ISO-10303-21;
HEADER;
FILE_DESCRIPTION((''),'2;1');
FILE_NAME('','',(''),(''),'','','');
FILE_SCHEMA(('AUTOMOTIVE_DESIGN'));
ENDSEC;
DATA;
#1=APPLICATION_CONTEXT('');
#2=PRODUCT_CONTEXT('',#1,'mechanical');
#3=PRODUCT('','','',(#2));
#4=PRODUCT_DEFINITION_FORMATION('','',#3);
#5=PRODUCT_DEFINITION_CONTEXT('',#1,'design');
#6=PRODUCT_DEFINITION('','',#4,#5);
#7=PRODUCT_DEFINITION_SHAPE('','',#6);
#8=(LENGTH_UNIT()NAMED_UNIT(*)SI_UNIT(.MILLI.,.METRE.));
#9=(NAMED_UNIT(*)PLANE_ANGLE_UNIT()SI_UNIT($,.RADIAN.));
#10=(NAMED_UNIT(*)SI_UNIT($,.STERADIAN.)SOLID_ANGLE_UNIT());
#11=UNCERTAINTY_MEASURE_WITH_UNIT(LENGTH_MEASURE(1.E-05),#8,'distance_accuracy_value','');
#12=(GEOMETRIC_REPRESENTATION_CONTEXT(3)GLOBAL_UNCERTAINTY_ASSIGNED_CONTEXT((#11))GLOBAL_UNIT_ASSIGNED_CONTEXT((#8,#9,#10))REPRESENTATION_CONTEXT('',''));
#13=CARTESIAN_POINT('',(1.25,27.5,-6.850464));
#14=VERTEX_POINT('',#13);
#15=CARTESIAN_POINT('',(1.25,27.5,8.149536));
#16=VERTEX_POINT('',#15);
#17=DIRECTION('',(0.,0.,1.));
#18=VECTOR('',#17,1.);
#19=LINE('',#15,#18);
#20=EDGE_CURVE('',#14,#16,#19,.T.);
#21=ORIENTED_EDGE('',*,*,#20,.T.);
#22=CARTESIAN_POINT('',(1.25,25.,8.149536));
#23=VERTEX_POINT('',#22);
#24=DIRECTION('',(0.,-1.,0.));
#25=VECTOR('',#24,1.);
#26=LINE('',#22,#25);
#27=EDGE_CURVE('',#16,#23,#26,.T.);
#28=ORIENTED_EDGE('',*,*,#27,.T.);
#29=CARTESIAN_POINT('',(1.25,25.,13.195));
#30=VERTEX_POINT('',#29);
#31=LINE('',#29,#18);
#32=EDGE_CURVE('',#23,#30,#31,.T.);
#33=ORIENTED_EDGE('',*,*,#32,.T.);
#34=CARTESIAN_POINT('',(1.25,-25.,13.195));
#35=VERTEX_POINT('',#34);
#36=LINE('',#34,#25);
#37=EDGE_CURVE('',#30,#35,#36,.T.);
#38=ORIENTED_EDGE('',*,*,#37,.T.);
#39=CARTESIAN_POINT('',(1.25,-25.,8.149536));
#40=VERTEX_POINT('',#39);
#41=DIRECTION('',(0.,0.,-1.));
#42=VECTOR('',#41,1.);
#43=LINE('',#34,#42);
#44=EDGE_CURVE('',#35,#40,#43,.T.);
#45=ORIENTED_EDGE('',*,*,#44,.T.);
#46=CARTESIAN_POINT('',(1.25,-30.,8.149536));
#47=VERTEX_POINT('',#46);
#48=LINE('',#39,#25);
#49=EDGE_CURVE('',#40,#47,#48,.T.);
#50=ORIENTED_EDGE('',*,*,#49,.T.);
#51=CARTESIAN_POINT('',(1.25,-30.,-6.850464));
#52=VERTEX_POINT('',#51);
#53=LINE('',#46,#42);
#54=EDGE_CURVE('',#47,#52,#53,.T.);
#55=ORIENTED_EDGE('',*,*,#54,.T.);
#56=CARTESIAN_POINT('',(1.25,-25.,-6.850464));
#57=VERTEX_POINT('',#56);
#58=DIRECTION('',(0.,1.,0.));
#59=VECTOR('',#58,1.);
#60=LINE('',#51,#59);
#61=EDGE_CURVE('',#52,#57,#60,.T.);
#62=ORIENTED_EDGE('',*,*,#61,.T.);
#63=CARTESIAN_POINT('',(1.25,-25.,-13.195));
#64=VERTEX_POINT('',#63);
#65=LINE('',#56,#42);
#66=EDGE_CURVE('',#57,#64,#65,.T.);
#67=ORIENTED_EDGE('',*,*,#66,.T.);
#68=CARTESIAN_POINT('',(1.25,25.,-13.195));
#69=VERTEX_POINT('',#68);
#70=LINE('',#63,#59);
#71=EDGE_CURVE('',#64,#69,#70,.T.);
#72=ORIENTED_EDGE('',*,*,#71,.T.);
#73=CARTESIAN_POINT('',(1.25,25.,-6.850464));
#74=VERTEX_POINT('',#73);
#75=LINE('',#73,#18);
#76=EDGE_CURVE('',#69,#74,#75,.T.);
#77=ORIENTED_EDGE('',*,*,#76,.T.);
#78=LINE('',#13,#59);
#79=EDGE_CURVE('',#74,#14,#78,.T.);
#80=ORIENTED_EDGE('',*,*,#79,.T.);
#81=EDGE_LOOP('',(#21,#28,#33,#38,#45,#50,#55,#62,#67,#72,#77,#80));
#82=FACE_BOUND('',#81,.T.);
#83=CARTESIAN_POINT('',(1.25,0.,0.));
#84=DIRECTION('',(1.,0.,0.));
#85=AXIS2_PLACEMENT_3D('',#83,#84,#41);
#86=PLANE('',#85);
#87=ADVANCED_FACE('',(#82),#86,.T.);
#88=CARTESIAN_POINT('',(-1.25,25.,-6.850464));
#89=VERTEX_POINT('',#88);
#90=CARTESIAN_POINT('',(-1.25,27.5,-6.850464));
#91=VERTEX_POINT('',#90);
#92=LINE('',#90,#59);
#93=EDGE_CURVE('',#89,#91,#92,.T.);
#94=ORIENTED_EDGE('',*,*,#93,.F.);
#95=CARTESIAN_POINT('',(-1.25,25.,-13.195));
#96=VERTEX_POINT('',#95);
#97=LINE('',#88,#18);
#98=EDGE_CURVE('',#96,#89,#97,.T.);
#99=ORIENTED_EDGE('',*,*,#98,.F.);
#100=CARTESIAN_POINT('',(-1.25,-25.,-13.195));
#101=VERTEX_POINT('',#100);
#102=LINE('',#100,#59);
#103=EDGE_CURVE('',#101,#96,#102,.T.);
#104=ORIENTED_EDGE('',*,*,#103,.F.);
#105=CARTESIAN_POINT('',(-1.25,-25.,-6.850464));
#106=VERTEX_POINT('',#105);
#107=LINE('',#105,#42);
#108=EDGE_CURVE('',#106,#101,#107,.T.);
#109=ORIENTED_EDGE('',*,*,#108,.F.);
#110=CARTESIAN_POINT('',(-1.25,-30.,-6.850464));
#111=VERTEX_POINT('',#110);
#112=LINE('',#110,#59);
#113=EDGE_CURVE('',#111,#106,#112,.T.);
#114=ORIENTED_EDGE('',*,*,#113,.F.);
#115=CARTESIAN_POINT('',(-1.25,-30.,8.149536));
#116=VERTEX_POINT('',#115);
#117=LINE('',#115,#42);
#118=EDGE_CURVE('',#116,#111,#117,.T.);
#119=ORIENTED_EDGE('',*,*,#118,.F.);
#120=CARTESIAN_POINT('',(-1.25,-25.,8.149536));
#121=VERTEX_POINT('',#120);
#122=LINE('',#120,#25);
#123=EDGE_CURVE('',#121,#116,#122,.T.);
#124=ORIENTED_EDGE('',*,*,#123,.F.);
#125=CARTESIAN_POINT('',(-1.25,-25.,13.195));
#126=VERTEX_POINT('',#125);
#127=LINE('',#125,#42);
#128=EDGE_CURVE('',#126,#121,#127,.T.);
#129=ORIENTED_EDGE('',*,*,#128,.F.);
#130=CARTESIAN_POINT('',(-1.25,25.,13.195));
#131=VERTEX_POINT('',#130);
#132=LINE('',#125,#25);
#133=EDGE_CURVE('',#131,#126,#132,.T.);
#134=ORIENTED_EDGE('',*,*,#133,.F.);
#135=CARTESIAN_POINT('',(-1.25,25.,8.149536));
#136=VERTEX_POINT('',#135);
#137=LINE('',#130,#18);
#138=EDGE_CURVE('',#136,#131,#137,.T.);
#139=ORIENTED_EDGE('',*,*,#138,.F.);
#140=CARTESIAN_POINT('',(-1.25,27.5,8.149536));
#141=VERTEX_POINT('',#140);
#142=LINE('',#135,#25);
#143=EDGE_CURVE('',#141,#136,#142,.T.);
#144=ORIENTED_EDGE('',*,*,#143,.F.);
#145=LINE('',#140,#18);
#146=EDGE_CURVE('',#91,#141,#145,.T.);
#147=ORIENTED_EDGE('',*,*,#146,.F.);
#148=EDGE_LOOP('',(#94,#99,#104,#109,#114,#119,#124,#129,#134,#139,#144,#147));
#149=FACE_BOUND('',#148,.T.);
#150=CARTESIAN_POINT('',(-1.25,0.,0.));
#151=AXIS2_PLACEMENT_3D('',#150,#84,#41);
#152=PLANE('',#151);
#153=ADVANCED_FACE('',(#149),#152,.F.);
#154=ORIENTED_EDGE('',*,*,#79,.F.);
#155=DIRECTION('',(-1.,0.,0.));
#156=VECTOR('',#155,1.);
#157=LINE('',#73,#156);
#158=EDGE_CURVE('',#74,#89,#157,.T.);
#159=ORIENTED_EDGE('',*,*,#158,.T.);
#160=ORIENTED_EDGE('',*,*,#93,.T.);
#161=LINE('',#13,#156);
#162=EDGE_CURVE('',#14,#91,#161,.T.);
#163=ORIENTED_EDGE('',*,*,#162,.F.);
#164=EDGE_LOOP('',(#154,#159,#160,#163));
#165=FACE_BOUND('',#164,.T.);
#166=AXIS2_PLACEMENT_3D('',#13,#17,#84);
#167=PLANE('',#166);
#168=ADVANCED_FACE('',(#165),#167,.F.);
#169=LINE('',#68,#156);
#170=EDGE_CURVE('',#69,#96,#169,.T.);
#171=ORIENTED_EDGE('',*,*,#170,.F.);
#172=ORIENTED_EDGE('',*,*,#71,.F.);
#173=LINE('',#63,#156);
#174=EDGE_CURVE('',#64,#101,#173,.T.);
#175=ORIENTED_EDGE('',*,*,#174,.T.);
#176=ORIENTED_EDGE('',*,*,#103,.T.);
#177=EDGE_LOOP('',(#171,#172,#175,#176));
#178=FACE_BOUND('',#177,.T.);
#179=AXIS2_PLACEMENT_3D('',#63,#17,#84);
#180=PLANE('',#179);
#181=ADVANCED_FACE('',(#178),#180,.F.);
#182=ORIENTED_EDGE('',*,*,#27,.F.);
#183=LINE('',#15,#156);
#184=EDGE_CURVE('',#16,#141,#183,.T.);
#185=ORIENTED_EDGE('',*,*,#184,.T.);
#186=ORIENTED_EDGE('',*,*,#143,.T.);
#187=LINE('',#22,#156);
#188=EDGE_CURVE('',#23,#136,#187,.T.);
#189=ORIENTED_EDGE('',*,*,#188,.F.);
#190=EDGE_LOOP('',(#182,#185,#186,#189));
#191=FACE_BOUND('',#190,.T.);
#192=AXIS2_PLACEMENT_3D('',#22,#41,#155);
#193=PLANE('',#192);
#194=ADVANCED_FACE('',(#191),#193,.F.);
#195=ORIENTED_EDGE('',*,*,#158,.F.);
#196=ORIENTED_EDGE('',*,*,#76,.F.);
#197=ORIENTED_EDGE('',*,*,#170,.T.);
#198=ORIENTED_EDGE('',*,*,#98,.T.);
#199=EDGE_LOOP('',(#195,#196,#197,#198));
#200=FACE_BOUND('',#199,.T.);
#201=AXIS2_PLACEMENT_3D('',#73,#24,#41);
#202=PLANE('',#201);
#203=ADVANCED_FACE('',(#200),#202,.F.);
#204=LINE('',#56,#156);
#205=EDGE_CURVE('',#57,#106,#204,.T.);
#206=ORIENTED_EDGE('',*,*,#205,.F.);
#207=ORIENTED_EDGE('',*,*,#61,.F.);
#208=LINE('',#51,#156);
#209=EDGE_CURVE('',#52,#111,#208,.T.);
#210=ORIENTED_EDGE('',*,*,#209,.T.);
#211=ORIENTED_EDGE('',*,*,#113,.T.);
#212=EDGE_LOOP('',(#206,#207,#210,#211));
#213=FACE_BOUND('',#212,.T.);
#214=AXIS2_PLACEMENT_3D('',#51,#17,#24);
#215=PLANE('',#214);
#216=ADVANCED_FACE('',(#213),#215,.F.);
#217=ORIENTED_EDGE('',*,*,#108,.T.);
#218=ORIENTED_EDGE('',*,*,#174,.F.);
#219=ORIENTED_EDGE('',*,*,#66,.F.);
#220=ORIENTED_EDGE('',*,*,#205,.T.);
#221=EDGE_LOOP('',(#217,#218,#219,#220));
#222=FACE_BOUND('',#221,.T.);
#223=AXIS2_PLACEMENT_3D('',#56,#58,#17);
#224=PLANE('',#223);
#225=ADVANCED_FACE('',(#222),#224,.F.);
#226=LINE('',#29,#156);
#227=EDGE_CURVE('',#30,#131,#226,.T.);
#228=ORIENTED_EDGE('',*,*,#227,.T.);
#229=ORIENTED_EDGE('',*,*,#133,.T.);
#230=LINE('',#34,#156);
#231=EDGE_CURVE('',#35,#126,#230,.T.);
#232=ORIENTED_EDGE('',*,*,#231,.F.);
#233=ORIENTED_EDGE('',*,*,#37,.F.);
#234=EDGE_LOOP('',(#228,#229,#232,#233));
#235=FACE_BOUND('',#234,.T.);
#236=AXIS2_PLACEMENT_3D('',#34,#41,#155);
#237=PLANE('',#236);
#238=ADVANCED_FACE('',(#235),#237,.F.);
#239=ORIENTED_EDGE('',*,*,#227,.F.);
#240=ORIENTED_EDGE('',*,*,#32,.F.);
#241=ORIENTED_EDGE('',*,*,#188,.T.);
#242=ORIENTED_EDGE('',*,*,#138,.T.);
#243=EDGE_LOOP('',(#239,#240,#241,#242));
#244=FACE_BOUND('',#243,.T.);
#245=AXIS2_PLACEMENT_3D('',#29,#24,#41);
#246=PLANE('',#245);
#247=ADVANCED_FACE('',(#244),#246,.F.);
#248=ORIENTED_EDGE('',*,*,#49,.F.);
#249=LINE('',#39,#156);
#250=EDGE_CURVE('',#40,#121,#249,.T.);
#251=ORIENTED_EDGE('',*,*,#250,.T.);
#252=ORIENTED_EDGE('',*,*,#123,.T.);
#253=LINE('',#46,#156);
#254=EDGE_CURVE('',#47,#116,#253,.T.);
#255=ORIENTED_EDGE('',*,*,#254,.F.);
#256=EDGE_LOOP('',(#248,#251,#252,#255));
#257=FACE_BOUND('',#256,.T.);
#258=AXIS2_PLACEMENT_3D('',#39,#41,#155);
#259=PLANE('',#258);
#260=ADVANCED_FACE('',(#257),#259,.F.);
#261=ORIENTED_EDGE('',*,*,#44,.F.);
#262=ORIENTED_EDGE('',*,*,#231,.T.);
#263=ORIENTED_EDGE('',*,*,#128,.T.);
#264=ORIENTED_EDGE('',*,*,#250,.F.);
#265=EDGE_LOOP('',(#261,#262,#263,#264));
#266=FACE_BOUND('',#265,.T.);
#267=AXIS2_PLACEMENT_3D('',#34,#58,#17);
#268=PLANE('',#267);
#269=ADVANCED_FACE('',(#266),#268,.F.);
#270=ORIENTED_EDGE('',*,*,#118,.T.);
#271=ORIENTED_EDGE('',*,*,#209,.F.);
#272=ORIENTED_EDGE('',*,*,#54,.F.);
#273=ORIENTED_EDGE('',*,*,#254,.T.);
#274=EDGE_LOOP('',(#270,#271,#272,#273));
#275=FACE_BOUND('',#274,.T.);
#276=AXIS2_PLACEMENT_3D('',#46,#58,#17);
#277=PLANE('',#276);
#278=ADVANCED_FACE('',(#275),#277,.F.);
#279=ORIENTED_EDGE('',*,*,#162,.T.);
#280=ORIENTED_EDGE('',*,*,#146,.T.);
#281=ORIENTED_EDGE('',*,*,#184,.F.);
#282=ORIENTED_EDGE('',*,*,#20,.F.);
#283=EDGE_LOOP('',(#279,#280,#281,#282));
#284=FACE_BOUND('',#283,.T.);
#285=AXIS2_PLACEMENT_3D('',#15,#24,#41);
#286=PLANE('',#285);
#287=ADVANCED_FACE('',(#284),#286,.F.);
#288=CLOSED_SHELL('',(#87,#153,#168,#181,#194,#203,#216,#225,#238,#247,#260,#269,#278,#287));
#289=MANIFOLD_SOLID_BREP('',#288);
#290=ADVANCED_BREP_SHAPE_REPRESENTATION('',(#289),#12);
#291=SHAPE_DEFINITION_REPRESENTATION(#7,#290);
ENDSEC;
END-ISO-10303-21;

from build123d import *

# Parameters (mm, degrees)
BOSS_EXTRUDE1_DEPTH = 1.25


with BuildPart() as part:
    # Sketch1 → Boss-Extrude1 (new, symmetric)
    with BuildSketch(Plane(origin=(0, 0, 0), x_dir=(0, 0, -1), z_dir=(1, 0, 0))):
        Polygon((-13.195, -25), (-13.195, 25), (-8.14953567, 25), (-8.14953567, 27.5), (6.85046433, 27.5), (6.85046433, 25), (13.195, 25), (13.195, -25), (6.85046433, -25), (6.85046433, -30), (-8.14953567, -30), (-8.14953567, -25), align=None)
    extrude(amount=BOSS_EXTRUDE1_DEPTH, both=True)


solid = part.part
